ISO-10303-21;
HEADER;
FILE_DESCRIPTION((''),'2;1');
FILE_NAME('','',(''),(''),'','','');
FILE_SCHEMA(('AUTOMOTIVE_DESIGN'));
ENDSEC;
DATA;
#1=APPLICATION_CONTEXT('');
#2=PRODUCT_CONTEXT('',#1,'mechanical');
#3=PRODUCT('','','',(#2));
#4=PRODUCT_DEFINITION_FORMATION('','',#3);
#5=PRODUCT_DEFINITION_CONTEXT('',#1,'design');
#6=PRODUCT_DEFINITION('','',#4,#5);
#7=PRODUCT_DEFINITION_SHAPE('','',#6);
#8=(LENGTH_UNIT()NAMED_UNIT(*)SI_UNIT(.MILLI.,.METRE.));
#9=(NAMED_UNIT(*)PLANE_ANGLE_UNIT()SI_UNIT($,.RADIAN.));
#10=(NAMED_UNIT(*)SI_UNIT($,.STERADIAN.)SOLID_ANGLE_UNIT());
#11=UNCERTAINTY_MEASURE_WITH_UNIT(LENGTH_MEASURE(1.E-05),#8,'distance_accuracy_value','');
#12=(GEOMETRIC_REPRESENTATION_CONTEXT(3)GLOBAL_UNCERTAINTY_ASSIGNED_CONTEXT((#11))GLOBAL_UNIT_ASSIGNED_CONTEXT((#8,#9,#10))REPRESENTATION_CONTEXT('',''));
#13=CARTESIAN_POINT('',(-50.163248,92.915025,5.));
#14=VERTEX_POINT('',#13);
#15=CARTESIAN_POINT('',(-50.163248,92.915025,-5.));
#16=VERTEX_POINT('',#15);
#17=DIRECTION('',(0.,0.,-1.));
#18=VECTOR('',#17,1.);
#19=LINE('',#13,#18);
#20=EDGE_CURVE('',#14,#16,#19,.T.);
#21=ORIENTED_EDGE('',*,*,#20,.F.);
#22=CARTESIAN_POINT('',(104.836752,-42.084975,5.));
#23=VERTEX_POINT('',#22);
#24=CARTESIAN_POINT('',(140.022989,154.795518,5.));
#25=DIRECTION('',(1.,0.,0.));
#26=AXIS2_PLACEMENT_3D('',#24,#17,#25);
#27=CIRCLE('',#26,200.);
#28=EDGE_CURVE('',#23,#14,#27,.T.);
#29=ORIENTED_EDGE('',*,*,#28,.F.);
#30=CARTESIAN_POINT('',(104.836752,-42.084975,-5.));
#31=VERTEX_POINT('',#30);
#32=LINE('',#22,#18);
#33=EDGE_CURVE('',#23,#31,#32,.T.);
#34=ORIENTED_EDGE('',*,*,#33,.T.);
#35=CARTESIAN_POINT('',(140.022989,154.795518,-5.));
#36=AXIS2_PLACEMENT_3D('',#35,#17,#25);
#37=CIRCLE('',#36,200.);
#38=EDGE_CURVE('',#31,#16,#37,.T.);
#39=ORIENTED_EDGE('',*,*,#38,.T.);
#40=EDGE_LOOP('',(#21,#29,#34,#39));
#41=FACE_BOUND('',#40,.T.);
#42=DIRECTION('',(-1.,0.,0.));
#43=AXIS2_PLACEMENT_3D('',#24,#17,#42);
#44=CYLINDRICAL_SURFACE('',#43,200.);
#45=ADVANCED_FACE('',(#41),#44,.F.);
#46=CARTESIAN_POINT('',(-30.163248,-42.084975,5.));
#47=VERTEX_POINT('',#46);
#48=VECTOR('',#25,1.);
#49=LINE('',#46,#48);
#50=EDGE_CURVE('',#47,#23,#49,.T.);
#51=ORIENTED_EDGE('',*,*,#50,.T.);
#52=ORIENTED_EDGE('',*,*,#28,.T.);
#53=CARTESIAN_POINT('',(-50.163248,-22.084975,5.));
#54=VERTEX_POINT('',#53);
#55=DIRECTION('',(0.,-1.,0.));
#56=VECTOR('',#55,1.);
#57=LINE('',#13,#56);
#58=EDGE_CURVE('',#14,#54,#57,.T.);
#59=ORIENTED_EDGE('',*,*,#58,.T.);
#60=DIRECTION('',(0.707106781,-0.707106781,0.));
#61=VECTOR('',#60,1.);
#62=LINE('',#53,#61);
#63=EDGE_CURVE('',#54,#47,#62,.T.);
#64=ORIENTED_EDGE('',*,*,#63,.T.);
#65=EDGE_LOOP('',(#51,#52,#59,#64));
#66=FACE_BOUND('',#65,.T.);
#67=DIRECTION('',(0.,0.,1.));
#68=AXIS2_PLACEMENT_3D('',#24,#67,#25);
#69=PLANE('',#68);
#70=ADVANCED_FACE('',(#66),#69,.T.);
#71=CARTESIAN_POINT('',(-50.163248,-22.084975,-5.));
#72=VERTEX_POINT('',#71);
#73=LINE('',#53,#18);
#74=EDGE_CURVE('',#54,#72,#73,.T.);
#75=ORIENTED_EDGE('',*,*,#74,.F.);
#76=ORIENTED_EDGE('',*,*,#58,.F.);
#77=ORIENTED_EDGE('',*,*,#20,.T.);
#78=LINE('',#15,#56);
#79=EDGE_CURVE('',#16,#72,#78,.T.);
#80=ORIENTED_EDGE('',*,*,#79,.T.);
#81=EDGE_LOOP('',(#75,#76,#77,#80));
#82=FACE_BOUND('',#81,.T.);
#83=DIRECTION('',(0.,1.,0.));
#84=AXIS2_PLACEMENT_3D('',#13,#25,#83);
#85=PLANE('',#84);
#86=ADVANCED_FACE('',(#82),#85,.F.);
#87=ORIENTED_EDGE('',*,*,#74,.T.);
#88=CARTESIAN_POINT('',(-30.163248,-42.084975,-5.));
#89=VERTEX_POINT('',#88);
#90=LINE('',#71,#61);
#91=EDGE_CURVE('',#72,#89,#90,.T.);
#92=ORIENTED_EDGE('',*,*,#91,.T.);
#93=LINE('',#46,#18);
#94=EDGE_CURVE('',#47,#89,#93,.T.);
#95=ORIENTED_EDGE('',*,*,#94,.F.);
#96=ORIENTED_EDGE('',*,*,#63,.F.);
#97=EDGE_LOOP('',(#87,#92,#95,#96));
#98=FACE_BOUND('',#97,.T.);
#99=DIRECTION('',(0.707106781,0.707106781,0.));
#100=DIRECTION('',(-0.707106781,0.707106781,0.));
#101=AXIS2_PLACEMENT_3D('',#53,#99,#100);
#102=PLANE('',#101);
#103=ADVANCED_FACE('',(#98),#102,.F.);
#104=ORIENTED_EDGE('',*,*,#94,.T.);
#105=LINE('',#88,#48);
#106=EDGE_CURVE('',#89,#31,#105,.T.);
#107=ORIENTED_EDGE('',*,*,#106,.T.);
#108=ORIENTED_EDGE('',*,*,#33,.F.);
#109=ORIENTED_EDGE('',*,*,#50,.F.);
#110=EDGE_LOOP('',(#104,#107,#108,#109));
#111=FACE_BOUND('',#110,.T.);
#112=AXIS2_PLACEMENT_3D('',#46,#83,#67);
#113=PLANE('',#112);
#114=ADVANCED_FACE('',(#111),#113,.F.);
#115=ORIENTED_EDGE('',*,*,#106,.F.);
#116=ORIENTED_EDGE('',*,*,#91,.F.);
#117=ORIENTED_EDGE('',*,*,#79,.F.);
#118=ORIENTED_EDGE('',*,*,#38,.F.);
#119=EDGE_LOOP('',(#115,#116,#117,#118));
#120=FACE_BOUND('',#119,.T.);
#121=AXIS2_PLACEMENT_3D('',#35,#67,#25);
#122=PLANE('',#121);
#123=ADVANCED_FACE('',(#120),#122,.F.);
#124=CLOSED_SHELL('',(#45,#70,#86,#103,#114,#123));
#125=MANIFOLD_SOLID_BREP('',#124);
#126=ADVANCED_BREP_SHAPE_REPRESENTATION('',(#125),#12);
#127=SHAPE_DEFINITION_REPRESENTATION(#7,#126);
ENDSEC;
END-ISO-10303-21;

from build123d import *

# Parameters (mm, degrees)
BOSS_EXTRUDE1_DEPTH = 5


with BuildPart() as part:
    # Sketch1 → Boss-Extrude1 (new, symmetric)
    with BuildSketch(Plane.XY):
        with BuildLine():
            Line((-50.163247668, 92.91502482), (-50.163247668, -22.08497518))
            Line((-50.163247668, -22.08497518), (-30.163247668, -42.08497518))
            Line((-30.163247668, -42.08497518), (104.836752332, -42.08497518))
            ThreePointArc((104.836752332, -42.08497518), (8.666839753, 3.979199265), (-50.163247668, 92.91502482))
        make_face()
    extrude(amount=BOSS_EXTRUDE1_DEPTH, both=True)


solid = part.part
